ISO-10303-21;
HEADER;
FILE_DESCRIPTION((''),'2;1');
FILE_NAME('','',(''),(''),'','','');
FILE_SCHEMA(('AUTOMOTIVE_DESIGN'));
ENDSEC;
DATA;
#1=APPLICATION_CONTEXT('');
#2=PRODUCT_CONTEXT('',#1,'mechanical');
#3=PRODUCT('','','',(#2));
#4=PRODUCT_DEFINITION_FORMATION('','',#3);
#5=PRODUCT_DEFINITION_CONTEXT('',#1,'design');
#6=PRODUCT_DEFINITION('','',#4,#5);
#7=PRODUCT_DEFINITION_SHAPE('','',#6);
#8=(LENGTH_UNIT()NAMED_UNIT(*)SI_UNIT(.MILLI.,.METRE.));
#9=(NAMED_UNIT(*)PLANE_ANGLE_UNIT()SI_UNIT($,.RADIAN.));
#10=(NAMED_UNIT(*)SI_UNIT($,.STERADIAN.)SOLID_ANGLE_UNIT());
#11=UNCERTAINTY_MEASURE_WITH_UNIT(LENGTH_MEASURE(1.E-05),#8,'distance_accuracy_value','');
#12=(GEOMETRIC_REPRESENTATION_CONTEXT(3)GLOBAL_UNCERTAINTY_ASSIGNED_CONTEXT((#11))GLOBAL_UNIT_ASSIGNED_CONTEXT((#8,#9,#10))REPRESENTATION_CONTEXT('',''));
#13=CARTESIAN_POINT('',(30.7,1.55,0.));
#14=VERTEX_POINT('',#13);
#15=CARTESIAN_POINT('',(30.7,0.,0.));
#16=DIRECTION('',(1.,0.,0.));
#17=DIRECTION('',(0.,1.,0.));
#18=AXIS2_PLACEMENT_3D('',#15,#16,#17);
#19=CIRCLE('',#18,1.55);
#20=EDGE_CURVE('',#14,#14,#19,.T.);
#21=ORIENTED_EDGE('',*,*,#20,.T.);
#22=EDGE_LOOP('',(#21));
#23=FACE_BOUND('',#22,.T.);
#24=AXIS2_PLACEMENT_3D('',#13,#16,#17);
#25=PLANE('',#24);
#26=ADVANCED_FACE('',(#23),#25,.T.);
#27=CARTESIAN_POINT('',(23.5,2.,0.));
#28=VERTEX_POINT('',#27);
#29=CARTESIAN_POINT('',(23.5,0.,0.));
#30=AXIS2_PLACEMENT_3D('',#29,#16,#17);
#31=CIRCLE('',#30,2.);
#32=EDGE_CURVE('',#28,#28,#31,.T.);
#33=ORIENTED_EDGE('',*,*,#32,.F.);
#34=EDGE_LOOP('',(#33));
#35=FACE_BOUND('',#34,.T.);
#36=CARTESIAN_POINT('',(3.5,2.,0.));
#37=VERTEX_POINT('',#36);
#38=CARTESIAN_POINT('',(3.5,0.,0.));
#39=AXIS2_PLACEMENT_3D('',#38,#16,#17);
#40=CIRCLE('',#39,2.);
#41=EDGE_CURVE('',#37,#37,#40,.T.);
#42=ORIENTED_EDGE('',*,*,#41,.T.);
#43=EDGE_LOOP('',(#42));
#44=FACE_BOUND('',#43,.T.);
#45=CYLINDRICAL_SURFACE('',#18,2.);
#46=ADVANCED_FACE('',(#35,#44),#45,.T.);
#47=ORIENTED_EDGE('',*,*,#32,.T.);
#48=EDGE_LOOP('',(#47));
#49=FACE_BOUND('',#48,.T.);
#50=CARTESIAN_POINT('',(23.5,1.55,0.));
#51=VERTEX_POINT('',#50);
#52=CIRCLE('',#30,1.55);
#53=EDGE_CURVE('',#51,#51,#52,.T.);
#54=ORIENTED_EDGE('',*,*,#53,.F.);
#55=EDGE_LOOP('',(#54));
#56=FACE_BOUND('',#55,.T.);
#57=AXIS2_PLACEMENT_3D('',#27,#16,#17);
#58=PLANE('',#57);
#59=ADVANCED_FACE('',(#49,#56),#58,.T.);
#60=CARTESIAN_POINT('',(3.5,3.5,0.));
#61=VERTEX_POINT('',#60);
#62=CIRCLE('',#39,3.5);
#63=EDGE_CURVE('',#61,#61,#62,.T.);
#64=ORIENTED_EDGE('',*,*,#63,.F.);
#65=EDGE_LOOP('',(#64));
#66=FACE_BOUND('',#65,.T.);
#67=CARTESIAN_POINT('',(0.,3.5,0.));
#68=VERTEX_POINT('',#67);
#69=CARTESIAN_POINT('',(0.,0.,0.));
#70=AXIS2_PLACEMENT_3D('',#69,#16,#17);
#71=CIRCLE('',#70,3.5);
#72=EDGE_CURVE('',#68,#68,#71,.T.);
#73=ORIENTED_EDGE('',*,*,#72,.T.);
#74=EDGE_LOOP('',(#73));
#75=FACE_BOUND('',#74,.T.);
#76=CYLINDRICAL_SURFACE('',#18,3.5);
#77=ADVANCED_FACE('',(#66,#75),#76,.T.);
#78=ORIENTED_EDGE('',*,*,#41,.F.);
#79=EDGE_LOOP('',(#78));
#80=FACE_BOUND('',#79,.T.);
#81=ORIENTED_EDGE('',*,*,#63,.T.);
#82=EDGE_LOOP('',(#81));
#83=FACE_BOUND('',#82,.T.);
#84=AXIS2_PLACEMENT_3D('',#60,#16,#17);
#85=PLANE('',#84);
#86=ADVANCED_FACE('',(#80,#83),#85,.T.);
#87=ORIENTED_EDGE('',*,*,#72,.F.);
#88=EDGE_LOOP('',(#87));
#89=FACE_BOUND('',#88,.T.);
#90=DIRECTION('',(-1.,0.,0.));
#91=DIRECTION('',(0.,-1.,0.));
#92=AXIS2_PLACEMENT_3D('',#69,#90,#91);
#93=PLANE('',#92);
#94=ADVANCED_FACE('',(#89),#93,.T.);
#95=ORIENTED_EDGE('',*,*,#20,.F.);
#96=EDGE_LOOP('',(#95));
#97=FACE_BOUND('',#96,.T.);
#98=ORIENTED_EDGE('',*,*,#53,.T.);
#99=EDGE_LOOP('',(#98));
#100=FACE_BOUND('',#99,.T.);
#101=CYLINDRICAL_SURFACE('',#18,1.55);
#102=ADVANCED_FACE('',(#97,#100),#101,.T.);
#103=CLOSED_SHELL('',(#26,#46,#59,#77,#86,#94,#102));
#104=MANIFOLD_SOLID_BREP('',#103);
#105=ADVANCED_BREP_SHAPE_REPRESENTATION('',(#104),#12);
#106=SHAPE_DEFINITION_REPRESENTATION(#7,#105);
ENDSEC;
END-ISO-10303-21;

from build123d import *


with BuildPart() as part:
    # 草图1 → 旋转1 (revolve)
    with BuildSketch(Plane.XY):
        Polygon((0, 0), (0, 3.5), (3.5, 3.5), (3.5, 2), (23.5, 2), (23.5, 1.55), (30.7, 1.55), (30.7, 0), align=None)
    revolve(axis=Axis((30.7, 0, 0), (-1, 0, 0)))


solid = part.part
